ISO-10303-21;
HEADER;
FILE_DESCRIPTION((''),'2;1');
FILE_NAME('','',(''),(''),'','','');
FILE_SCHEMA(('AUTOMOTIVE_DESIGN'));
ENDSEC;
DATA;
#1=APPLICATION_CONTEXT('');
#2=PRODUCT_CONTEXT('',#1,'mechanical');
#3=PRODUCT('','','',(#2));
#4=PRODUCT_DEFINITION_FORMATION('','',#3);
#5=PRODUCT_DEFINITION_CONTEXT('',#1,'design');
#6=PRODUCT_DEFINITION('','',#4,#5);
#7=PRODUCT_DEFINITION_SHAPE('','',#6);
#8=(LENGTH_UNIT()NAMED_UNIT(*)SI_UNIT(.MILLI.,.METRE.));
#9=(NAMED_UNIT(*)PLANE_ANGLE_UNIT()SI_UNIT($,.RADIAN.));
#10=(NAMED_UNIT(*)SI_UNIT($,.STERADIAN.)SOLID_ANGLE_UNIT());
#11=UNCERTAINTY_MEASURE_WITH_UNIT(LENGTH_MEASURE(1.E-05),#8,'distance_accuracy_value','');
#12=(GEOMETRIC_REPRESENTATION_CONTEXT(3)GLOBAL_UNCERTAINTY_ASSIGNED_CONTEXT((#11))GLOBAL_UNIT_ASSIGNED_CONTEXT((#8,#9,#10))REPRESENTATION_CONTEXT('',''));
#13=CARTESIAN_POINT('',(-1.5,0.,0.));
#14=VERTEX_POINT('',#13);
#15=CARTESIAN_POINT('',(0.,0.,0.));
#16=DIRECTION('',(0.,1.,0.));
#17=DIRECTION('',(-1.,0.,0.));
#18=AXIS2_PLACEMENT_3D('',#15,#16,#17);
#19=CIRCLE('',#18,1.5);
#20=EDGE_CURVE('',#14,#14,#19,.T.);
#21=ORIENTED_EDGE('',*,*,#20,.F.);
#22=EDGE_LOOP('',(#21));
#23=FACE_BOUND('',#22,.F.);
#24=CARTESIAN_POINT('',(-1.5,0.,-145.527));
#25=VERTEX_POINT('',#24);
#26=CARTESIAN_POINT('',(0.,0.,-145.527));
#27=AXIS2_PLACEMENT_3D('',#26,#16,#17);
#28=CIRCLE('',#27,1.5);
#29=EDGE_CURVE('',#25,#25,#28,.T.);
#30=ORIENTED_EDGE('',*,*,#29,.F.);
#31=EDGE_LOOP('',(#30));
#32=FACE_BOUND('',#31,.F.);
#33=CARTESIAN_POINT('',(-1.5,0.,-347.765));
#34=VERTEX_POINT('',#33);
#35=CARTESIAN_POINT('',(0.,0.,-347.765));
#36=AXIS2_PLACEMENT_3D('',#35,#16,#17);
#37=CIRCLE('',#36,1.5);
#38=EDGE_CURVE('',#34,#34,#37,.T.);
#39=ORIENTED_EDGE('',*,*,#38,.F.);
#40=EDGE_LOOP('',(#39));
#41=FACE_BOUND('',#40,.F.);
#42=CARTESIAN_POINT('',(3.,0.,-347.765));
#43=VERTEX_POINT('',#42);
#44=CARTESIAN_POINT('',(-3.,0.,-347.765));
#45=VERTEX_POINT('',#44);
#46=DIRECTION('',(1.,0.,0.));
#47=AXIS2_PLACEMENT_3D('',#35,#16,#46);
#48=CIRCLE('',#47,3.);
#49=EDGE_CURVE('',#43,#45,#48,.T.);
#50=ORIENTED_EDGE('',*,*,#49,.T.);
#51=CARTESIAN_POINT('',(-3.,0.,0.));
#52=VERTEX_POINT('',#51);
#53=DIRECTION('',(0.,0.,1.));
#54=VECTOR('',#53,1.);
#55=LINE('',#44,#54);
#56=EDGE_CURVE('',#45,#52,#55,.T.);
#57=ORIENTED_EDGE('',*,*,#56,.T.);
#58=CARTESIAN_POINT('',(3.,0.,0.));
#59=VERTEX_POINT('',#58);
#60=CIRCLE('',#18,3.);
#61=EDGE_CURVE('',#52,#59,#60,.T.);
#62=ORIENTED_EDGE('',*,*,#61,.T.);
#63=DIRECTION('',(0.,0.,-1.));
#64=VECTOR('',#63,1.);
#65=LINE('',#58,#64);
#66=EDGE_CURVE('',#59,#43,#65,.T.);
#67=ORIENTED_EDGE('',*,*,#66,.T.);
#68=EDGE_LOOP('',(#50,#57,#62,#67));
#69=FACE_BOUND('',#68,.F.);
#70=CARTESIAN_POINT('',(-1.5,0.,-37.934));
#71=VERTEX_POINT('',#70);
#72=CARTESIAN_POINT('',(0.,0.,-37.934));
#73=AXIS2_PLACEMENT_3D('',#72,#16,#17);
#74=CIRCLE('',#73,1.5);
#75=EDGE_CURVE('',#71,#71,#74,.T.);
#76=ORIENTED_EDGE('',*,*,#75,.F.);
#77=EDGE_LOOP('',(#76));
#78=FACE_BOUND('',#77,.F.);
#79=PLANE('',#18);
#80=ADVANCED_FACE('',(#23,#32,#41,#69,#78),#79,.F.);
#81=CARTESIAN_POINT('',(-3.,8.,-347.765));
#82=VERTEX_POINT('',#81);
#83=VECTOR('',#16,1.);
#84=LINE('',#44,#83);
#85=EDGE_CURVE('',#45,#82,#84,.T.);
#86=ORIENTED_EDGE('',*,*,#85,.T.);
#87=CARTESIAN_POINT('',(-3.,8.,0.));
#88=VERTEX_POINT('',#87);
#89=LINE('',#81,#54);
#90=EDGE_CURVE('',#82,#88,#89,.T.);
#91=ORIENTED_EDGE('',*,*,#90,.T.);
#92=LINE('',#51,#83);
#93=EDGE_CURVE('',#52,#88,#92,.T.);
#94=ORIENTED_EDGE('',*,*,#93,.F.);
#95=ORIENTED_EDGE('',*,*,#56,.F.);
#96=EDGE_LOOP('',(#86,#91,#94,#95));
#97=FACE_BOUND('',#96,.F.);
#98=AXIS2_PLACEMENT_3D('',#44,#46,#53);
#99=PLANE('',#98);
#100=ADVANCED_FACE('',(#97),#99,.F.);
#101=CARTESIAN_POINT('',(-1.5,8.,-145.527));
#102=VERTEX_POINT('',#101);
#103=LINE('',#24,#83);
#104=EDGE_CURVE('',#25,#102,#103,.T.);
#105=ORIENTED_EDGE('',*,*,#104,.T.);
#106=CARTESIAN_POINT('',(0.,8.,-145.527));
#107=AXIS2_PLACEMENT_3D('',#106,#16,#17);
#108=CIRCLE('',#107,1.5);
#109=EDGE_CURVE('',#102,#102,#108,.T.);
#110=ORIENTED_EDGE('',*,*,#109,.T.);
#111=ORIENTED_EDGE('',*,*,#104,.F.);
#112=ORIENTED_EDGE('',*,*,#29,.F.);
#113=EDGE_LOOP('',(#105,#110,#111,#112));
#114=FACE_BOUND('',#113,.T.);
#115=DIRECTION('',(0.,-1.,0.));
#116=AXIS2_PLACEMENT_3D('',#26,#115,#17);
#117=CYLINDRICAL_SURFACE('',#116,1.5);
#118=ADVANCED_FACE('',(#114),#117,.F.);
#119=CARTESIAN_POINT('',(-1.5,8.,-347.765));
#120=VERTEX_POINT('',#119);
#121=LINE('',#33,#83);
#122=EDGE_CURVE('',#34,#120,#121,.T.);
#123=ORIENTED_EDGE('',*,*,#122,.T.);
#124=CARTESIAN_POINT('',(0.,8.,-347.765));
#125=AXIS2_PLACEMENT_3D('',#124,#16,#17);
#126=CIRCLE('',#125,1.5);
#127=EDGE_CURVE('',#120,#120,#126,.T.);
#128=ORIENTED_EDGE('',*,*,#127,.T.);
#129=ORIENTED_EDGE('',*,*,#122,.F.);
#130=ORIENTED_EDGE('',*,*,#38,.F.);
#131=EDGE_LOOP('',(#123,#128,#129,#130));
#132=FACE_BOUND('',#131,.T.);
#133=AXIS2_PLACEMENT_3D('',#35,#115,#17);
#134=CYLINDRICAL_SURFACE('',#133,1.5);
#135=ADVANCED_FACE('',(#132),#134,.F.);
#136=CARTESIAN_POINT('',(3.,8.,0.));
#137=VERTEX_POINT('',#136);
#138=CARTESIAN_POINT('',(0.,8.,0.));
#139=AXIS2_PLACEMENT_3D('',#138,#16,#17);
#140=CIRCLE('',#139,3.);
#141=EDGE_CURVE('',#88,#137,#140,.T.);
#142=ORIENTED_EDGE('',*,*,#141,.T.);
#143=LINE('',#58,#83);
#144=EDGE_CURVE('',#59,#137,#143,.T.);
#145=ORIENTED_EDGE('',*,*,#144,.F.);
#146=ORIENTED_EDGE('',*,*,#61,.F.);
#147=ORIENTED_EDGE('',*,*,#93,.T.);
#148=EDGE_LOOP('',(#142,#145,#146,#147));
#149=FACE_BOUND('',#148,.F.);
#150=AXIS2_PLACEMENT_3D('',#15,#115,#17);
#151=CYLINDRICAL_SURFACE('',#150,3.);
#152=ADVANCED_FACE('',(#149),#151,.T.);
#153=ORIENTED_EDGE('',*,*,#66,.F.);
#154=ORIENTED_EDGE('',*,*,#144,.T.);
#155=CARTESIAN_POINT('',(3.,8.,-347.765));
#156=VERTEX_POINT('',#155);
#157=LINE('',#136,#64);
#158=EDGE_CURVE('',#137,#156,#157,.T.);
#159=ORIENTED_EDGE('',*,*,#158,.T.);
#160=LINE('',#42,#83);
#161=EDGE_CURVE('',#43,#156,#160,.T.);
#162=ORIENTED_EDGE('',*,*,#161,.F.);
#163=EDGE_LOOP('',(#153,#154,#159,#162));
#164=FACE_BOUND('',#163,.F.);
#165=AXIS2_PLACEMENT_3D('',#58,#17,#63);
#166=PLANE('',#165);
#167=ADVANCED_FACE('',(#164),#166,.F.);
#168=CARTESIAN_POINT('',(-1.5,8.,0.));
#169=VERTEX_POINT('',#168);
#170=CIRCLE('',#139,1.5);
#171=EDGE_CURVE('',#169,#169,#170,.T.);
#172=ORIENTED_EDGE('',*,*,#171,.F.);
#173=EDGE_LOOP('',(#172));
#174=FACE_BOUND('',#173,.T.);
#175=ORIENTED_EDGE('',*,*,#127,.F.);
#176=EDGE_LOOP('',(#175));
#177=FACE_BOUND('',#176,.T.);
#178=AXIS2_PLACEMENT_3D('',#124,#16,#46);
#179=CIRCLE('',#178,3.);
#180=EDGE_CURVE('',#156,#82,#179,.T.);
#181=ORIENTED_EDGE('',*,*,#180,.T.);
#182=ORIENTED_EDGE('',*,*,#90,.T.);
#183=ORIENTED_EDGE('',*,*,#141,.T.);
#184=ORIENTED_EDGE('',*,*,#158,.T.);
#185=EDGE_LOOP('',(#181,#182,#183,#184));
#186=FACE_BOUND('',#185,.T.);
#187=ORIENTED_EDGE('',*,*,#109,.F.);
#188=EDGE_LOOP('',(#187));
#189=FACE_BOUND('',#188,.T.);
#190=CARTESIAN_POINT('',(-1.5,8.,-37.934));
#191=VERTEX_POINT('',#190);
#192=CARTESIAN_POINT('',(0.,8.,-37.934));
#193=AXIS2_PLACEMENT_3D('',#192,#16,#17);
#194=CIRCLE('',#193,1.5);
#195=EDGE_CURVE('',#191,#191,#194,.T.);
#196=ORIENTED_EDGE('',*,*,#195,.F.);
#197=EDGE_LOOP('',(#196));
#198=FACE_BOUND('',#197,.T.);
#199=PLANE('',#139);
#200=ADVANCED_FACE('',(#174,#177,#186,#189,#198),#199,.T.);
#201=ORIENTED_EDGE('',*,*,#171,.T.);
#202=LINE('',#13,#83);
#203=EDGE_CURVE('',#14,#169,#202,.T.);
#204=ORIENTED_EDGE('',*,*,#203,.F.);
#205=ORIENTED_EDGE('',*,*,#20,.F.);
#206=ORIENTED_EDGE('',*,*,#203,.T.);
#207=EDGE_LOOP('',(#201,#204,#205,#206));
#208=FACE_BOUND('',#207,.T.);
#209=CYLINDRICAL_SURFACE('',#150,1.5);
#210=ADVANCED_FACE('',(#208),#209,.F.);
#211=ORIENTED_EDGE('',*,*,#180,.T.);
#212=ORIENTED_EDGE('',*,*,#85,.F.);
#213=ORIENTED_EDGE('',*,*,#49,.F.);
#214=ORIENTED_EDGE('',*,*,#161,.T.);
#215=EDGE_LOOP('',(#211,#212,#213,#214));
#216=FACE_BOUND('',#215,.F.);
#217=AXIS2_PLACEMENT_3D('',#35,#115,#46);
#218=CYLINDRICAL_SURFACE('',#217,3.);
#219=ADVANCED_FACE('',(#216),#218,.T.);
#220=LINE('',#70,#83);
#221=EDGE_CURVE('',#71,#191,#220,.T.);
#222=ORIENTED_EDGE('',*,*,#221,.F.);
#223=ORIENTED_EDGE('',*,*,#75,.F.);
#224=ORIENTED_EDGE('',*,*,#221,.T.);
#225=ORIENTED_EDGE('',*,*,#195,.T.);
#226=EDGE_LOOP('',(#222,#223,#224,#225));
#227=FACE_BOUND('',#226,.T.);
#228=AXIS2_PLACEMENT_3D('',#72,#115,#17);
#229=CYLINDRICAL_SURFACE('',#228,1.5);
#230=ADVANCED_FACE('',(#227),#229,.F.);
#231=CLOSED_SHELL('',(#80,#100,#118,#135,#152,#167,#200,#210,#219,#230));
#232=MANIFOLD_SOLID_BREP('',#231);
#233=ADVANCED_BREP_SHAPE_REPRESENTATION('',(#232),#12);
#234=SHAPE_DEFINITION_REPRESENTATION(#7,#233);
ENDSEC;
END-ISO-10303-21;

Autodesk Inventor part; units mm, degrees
ref_plane "YZ Plane" through (0, 0, 0) normal (1, 0, 0) x (0, 1, 0)
ref_plane "XZ Plane" through (0, 0, 0) normal (0, 1, 0) x (-1, 0, 0)
ref_plane "XY Plane" through (0, 0, 0) normal (0, 0, 1) x (1, 0, 0)
sketch "Sketch1" plane through (0, 0, 0) normal (0, 1, 0) x (-1, 0, 0)
  line L0 (0, 0) -> (0, -347.765) construction
  line L1 (-3, 0) -> (-3, -347.765)
  line L2 (3, -347.765) -> (3, 0)
  arc A0 (3, 0) -> (-3, 0) centre (0, 0) ccw
  arc A1 (-3, -347.765) -> (3, -347.765) centre (0, -347.765) ccw
  circle A2 centre (0, 0) radius 1.5
  circle A3 centre (0, -347.765) radius 1.5
  circle A4 centre (0, -145.527) radius 1.5
  circle A5 centre (0, -37.934) radius 1.5
  point P0 (0, -173.8825)
  dimension "d0" = 347.765
  dimension "d1" = 6
  dimension "d2" = 3
  dimension "d3" = 3
  dimension "d6" = 3
  dimension "d7" = 145.527
  dimension "d8" = 3
  dimension "d9" = 37.934
extrude "Extrusion1" add sketch "Sketch1" along normal blind 8
sketch "Sketch2" plane through (0, 8, 0) normal (0, 1, 0) x (1, 0, 0)
  arc A0 (3, 347.765) -> (-3, 347.765) centre (0, 347.765) ccw projected
  line L0 (-3, 347.765) -> (-3, 0) projected
  arc A1 (-3, 0) -> (3, 0) centre (0, 0) ccw projected
  line L1 (3, 0) -> (3, 347.765) projected
  circle A2 centre (0, 145.527) radius 1.5 projected
  circle A3 centre (0, 37.934) radius 1.5 projected
  circle A4 centre (0, 347.765) radius 1.5 projected
  circle A5 centre (0, 0) radius 1.5 projected
